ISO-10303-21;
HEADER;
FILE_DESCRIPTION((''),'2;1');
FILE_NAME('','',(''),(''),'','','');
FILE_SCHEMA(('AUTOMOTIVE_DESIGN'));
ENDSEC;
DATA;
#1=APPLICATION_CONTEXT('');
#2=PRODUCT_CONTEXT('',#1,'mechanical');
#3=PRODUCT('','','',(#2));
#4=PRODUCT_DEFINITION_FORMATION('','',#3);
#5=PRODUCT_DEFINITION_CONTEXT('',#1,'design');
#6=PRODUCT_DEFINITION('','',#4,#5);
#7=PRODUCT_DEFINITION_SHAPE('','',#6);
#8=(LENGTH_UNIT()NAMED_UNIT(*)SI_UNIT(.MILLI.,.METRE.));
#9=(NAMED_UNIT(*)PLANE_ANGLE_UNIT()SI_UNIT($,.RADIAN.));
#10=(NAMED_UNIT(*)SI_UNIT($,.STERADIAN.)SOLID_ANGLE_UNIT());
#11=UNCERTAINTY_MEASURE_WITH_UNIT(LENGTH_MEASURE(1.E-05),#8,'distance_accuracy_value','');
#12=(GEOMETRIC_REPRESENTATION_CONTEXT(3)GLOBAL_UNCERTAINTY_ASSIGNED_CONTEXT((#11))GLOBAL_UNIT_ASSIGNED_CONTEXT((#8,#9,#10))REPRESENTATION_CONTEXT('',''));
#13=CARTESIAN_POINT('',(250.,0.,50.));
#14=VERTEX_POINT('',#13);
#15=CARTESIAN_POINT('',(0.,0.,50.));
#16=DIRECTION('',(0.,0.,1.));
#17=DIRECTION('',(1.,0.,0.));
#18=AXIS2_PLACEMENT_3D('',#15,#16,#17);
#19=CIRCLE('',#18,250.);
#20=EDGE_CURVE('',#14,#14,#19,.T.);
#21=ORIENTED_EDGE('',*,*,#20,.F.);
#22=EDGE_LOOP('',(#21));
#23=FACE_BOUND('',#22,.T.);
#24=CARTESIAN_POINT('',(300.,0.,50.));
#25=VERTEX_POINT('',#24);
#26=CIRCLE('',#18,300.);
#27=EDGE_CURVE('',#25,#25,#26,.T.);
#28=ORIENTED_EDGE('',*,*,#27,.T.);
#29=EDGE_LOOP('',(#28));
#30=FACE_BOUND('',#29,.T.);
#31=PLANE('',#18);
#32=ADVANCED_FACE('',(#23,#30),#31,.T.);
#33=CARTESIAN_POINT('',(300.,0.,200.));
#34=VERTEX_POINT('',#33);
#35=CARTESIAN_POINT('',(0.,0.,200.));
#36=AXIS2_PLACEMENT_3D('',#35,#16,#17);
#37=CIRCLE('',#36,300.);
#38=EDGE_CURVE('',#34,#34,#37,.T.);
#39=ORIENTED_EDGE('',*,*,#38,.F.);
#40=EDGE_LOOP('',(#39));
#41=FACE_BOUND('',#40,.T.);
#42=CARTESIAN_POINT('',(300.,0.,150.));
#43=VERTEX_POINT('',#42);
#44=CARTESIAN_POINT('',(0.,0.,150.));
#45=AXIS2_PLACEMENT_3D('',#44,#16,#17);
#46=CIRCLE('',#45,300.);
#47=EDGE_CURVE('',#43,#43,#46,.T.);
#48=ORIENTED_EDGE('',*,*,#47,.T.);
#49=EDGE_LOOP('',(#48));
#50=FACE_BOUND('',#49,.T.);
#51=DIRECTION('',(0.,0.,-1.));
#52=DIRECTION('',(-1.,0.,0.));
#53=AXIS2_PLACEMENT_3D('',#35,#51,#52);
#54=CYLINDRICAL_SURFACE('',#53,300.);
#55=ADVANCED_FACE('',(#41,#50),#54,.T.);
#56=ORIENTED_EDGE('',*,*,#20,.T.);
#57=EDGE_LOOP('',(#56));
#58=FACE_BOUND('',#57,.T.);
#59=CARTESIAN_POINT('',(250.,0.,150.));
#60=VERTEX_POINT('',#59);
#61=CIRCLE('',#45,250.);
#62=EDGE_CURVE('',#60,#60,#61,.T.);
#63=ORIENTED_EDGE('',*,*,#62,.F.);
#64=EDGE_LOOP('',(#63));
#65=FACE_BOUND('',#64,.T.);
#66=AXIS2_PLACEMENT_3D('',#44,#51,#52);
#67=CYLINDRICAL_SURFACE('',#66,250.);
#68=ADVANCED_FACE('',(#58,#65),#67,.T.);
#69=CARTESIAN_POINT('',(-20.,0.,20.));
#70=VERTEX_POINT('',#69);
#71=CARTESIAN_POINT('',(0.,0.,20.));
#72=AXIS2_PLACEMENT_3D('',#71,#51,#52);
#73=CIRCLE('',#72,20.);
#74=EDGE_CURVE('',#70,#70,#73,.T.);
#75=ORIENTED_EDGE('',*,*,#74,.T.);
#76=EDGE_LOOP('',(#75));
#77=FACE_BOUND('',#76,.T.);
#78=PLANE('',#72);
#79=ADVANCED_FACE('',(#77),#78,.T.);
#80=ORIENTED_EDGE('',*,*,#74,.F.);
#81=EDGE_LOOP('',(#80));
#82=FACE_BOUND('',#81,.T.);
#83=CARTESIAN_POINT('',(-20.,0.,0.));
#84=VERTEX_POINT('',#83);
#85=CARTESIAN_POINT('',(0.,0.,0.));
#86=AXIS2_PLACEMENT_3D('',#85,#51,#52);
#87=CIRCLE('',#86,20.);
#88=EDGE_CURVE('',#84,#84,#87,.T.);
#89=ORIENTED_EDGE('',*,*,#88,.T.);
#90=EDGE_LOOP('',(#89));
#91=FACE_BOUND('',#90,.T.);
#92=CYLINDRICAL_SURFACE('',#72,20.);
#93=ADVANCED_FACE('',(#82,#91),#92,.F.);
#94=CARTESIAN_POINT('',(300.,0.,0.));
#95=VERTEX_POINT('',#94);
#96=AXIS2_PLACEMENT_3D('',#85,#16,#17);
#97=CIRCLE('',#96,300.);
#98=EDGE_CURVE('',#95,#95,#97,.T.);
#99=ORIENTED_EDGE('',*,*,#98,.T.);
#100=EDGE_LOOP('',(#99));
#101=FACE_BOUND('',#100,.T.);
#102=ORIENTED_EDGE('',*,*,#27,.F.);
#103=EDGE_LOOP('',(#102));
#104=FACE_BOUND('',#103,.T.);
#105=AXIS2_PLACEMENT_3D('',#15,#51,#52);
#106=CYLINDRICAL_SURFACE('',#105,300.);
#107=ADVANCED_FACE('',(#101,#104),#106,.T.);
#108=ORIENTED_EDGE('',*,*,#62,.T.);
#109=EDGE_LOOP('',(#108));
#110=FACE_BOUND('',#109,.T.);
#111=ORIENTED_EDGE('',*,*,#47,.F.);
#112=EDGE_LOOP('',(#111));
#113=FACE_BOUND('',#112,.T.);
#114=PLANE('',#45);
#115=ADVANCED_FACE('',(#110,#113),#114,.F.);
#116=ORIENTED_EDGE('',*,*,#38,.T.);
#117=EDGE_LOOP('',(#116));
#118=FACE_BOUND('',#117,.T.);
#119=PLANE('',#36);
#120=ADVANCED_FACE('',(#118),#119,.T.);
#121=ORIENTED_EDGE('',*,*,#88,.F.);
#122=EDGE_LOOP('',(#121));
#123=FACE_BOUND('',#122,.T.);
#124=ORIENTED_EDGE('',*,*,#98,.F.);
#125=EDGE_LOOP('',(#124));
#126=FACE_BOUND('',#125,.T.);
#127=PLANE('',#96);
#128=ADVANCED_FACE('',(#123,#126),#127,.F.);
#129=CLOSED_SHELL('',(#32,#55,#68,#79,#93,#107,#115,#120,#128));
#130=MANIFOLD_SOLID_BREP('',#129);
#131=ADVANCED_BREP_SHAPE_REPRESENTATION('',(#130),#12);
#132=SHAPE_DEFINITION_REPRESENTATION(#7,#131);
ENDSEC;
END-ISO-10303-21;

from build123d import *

# Parameters (mm, degrees)
SKETCH1_R           = 300
BOSS_EXTRUDE1_DEPTH = 50
SKETCH2_R           = 20
CUT_EXTRUDE1_DEPTH  = 20
SKETCH4_R           = 250
BOSS_EXTRUDE2_DEPTH = 100
SKETCH6_R           = 300
BOSS_EXTRUDE3_DEPTH = 50


with BuildPart() as part:
    # Sketch1 → Boss-Extrude1 (new body)
    with BuildSketch(Plane.XY):
        Circle(SKETCH1_R)
    extrude(amount=BOSS_EXTRUDE1_DEPTH)

    # Sketch2 → Cut-Extrude1 (cut)
    with BuildSketch(Plane(origin=(0, 0, 0), x_dir=(-1, 0, 0), z_dir=(0, 0, -1))):
        Circle(SKETCH2_R)
    extrude(amount=-CUT_EXTRUDE1_DEPTH, mode=Mode.SUBTRACT)

    # Sketch4 → Boss-Extrude2 (add)
    with BuildSketch(Plane.XY.offset(50)):
        Circle(SKETCH4_R)
    extrude(amount=BOSS_EXTRUDE2_DEPTH)

    # Sketch6 → Boss-Extrude3 (add)
    with BuildSketch(Plane.XY.offset(150)):
        Circle(SKETCH6_R)
    extrude(amount=BOSS_EXTRUDE3_DEPTH)


solid = part.part
